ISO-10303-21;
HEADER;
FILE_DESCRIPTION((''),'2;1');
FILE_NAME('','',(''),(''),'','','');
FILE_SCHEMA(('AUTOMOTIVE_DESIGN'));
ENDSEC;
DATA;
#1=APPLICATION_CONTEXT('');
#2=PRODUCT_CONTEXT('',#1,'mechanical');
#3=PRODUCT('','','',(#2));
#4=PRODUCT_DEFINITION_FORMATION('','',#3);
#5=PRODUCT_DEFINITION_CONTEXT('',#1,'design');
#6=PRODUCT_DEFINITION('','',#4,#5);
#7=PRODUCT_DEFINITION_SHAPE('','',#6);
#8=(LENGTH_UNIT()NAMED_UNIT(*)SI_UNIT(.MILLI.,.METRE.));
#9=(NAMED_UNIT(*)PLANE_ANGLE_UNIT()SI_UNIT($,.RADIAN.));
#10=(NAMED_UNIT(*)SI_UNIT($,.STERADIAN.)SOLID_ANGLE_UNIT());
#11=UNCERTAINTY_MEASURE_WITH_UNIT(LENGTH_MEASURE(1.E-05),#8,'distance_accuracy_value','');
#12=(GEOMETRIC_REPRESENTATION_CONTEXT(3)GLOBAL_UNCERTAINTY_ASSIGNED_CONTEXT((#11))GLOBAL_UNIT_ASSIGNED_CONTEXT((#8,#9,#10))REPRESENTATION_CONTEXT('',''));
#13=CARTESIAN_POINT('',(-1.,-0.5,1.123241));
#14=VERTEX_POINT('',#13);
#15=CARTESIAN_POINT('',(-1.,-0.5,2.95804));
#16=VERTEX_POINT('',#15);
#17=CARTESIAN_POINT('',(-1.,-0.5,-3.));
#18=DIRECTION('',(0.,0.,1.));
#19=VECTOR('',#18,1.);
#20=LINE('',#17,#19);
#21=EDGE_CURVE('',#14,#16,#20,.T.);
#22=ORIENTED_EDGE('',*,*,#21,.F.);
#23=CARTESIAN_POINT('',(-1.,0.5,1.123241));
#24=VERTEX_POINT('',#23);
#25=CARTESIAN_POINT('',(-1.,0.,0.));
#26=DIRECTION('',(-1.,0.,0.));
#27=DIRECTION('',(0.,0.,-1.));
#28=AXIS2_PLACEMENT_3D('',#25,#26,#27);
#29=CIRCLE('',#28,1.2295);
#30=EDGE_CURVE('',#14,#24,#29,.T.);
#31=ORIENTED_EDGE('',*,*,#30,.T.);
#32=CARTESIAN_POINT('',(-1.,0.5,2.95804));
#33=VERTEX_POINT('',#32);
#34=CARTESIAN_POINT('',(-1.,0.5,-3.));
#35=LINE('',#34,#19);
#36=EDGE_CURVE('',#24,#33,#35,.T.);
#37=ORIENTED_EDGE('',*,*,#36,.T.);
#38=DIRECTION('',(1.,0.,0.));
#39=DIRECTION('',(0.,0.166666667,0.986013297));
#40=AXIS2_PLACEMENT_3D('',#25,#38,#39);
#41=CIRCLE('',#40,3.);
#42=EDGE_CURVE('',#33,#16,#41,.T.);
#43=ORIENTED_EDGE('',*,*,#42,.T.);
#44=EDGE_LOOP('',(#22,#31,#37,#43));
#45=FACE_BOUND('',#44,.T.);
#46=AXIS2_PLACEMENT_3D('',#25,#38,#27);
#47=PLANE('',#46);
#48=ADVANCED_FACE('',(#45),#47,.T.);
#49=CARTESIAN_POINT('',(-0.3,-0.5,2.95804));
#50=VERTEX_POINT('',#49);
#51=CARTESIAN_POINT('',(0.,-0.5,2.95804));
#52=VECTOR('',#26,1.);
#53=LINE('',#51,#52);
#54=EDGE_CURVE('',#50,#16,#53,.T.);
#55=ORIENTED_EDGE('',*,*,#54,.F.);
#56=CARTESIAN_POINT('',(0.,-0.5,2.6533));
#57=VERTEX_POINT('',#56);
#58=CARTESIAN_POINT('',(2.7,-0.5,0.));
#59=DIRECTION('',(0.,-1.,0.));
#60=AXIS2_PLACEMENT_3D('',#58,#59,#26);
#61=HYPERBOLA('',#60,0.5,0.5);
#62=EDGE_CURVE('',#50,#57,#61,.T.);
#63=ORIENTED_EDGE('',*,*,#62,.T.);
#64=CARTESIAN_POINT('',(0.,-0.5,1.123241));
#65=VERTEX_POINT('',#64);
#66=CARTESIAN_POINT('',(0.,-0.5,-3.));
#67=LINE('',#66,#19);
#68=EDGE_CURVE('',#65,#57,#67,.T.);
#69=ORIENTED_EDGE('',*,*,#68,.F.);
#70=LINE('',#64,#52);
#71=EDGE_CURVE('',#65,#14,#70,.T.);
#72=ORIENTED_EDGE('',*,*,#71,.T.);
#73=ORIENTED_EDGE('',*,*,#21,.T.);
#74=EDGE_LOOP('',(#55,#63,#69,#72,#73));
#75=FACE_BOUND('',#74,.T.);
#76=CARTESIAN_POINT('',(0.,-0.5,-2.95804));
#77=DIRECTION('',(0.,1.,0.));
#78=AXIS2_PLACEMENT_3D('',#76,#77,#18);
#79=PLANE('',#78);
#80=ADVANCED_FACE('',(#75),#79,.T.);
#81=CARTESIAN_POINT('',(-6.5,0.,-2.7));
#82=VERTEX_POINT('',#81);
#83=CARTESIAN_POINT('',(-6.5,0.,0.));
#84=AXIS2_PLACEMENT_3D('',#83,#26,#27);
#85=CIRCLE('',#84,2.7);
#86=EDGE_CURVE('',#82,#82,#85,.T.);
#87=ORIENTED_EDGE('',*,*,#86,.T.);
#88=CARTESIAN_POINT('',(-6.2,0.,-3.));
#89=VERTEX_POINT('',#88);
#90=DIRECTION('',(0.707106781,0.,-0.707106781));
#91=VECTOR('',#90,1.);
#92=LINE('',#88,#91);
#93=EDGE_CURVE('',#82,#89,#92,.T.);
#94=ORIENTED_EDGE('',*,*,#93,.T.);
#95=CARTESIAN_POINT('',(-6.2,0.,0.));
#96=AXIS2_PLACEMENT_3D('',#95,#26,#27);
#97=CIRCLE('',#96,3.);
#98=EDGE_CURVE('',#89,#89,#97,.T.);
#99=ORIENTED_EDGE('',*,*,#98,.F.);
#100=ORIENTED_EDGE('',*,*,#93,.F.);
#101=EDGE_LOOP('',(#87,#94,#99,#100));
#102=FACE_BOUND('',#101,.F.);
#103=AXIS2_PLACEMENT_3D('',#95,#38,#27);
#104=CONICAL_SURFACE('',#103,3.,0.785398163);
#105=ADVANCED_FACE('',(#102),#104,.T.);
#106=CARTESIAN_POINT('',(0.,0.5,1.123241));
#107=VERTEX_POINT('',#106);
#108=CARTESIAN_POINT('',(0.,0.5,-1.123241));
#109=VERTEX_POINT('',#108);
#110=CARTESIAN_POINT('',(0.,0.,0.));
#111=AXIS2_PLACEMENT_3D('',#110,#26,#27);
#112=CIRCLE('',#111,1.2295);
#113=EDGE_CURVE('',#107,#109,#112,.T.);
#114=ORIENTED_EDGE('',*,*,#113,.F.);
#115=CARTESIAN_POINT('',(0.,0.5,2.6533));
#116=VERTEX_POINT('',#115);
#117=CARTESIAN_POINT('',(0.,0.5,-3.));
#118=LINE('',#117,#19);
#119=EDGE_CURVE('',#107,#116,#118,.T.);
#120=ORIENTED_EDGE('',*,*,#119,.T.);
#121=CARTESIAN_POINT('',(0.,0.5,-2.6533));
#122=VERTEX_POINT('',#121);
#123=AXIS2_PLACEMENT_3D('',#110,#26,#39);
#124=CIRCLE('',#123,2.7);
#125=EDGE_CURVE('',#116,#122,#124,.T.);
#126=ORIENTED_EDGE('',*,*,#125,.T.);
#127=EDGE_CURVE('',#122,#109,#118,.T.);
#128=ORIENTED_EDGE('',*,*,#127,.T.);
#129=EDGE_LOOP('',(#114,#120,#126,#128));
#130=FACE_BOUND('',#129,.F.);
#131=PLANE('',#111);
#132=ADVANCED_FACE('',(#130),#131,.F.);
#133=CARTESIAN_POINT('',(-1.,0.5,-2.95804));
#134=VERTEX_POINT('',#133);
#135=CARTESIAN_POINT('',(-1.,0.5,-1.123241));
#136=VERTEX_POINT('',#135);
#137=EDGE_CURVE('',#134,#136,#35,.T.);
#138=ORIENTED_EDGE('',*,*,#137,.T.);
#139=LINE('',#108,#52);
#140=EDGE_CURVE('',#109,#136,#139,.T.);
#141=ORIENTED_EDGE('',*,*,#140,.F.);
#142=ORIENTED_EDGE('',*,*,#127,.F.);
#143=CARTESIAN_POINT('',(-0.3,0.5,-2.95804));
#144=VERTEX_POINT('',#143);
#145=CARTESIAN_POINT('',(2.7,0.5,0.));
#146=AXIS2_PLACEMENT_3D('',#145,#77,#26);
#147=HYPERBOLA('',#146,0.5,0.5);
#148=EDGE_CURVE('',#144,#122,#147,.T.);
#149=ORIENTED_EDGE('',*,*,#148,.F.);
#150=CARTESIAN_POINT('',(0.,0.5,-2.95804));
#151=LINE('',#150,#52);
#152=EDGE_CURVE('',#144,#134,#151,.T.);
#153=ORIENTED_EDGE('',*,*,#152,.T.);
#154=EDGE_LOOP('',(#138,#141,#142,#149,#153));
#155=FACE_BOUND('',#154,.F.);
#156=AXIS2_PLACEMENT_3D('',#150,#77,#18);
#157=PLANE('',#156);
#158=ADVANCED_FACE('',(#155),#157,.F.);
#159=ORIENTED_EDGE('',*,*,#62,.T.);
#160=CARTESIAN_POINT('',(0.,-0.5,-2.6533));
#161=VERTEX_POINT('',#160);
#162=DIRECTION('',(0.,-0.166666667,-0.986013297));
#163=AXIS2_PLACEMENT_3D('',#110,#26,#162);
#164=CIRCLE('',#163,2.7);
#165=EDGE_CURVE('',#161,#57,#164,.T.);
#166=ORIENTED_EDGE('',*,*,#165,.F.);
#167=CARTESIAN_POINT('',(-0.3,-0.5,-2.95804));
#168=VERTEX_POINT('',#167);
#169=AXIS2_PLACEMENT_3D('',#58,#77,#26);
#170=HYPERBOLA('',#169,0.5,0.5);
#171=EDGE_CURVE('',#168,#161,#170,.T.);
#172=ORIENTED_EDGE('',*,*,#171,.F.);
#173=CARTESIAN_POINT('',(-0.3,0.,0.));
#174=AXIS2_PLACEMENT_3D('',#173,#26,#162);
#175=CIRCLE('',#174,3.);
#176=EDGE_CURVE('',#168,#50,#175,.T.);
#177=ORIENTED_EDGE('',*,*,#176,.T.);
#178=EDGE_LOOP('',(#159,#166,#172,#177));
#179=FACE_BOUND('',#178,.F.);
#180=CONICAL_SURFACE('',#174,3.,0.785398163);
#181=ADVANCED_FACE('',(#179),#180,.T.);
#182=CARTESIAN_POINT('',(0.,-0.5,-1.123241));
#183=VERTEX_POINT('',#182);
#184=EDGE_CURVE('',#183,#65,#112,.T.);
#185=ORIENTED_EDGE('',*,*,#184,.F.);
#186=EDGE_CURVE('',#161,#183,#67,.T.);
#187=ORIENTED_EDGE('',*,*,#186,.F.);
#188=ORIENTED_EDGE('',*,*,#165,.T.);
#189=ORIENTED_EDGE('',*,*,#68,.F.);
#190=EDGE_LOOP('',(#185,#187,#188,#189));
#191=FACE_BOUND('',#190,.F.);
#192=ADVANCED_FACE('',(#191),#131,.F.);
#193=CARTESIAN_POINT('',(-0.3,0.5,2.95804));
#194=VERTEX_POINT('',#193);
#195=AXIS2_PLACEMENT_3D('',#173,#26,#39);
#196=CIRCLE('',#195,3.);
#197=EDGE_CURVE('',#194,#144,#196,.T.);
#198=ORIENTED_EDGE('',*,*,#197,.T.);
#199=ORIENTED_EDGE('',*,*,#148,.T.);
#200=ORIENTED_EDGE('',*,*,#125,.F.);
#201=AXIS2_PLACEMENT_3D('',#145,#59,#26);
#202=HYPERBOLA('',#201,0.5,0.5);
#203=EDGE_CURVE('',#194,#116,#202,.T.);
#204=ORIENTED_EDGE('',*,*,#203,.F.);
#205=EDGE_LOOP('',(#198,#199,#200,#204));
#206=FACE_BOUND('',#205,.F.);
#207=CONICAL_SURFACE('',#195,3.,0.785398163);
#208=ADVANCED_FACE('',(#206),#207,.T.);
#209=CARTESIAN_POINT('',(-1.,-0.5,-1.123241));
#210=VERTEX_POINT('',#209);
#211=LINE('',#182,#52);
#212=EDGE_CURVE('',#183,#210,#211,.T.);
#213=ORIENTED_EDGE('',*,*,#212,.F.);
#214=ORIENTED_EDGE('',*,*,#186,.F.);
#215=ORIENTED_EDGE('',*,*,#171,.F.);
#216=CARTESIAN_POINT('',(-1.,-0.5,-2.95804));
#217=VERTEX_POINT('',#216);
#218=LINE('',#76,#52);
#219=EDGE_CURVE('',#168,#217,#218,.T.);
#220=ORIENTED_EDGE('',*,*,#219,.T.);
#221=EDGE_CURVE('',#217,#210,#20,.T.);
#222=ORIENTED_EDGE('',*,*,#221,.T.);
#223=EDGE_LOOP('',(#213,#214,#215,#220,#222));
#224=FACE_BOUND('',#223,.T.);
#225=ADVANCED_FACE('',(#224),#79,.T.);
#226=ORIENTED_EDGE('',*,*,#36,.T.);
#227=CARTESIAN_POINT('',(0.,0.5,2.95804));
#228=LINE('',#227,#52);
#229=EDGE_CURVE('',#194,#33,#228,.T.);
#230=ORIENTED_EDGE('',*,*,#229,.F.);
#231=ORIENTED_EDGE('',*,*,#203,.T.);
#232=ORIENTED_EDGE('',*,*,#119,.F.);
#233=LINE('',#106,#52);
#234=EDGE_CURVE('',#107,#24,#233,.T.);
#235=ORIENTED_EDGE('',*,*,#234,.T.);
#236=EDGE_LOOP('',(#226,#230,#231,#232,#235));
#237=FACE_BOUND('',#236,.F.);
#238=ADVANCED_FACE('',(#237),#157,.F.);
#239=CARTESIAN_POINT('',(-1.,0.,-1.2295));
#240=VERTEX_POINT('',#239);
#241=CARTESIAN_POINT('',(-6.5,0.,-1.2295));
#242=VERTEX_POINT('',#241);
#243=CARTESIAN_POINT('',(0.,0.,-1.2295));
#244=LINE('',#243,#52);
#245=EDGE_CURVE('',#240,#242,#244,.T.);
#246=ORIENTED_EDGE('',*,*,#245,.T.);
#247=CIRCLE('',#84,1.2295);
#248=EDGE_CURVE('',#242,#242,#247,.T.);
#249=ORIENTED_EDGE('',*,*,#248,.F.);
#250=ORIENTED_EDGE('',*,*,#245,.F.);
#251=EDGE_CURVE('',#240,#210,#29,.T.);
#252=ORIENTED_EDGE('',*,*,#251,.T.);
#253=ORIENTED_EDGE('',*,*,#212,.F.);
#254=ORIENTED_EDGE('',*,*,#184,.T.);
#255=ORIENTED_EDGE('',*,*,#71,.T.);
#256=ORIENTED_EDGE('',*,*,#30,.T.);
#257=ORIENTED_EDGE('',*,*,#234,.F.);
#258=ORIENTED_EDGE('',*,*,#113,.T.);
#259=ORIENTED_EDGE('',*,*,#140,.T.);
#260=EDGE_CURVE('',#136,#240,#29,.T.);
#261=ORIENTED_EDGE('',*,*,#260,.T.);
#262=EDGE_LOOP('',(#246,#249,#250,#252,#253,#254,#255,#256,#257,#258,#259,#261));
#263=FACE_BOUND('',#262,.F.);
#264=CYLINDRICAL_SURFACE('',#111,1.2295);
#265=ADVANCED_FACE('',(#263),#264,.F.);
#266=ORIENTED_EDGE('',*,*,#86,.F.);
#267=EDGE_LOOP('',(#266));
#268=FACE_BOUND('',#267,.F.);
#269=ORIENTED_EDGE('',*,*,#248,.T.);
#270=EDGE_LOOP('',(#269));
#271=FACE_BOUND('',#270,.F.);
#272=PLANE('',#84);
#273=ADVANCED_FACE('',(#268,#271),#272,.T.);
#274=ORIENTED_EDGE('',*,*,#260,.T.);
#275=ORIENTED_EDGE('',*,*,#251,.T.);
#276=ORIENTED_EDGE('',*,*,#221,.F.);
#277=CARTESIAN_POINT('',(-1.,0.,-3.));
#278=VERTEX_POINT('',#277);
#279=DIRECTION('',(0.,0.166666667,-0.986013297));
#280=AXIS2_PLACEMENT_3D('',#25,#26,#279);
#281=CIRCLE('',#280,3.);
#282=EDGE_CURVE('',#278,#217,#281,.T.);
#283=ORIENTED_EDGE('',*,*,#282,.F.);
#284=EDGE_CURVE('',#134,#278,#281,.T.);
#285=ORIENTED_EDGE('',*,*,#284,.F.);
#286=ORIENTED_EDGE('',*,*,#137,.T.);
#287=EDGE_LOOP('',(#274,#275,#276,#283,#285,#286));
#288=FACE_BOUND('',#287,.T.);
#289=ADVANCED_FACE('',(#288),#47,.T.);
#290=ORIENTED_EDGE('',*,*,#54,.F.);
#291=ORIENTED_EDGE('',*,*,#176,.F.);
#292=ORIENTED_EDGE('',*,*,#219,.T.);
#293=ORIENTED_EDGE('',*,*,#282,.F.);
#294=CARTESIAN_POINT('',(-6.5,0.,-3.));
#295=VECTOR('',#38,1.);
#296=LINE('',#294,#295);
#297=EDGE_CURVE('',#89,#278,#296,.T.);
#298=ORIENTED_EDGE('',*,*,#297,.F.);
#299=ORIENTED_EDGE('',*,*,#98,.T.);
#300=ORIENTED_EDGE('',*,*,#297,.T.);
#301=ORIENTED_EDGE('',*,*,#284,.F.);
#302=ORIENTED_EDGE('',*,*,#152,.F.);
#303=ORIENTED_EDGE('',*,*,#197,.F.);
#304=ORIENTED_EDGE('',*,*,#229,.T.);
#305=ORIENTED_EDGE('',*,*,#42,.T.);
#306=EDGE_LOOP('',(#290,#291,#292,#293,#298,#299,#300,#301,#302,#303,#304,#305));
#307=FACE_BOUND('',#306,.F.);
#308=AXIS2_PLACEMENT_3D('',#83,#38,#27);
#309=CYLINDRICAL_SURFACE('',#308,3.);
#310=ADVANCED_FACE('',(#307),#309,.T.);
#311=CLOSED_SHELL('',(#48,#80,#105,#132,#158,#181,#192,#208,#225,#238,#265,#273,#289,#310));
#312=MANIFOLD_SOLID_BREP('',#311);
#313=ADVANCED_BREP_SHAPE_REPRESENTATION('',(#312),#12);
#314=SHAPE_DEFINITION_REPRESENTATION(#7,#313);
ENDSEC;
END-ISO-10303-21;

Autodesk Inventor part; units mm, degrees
ref_plane "YZ Plane" through (0, 0, 0) normal (1, 0, 0) x (0, 1, 0)
ref_plane "XZ Plane" through (0, 0, 0) normal (0, 1, 0) x (-1, 0, 0)
ref_plane "XY Plane" through (0, 0, 0) normal (0, 0, 1) x (1, 0, 0)
sketch "スケッチ1" plane through (0, 0, 0) normal (0, 1, 0) x (-1, 0, 0)
  line L0 (0, 0) -> (6.5, 0)
  line L1 (6.5, 0) -> (6.5, -3)
  line L2 (6.5, -3) -> (0, -3)
  line L3 (0, -3) -> (0, 0)
  dimension "d0" = 6.5
  dimension "d1" = 3
revolve "回転1" add sketch "スケッチ1" angle 360 about axis through (0, 0, 0) along (-1, 0, 0)
sketch "スケッチ2" plane through (0, 0, 0) normal (1, 0, 0) x (0, 0, -1)
  point P0 (0, 0)
  point P1 (0, 0)
hole "穴1" at (0, 0, 0) direction (-1, 0, 0) diameter 2.459 end through all thread size "M3x0.5" class "6H" standard "ANSI Metric M Profile"
sketch "スケッチ3" plane through (0, 0, 0) normal (1, 0, 0) x (0, 0, -1)
  circle A0 centre (0, 0) radius 3 projected
  line L0 (3, 0) -> (-3, 0)
  line L1 (3, -0.5) -> (-3, -0.5)
  line L2 (3, 0.5) -> (-3, 0.5)
  line L3 (3, 0.5) -> (3, -0.5)
  line L4 (-3, 0.5) -> (-3, -0.5)
  point P0 (-2.958, -0.5)
  point P1 (2.958, -0.5)
  point P2 (2.958, 0.5)
  point P3 (-2.958, 0.5)
  dimension "d10" = 0.5
extrude "押し出し1" cut sketch "スケッチ3" against normal blind 1 contours L0 A0 L2 | A0 L1 L0
chamfer "面取り1" distance 0.3 angle 45 3 edges at (-6.5, 0, 3) (0, 3, 0) (0, -3, 0)
properties part number "ARU-306_5SMO" material "ステンレス鋼 AISI 304"
